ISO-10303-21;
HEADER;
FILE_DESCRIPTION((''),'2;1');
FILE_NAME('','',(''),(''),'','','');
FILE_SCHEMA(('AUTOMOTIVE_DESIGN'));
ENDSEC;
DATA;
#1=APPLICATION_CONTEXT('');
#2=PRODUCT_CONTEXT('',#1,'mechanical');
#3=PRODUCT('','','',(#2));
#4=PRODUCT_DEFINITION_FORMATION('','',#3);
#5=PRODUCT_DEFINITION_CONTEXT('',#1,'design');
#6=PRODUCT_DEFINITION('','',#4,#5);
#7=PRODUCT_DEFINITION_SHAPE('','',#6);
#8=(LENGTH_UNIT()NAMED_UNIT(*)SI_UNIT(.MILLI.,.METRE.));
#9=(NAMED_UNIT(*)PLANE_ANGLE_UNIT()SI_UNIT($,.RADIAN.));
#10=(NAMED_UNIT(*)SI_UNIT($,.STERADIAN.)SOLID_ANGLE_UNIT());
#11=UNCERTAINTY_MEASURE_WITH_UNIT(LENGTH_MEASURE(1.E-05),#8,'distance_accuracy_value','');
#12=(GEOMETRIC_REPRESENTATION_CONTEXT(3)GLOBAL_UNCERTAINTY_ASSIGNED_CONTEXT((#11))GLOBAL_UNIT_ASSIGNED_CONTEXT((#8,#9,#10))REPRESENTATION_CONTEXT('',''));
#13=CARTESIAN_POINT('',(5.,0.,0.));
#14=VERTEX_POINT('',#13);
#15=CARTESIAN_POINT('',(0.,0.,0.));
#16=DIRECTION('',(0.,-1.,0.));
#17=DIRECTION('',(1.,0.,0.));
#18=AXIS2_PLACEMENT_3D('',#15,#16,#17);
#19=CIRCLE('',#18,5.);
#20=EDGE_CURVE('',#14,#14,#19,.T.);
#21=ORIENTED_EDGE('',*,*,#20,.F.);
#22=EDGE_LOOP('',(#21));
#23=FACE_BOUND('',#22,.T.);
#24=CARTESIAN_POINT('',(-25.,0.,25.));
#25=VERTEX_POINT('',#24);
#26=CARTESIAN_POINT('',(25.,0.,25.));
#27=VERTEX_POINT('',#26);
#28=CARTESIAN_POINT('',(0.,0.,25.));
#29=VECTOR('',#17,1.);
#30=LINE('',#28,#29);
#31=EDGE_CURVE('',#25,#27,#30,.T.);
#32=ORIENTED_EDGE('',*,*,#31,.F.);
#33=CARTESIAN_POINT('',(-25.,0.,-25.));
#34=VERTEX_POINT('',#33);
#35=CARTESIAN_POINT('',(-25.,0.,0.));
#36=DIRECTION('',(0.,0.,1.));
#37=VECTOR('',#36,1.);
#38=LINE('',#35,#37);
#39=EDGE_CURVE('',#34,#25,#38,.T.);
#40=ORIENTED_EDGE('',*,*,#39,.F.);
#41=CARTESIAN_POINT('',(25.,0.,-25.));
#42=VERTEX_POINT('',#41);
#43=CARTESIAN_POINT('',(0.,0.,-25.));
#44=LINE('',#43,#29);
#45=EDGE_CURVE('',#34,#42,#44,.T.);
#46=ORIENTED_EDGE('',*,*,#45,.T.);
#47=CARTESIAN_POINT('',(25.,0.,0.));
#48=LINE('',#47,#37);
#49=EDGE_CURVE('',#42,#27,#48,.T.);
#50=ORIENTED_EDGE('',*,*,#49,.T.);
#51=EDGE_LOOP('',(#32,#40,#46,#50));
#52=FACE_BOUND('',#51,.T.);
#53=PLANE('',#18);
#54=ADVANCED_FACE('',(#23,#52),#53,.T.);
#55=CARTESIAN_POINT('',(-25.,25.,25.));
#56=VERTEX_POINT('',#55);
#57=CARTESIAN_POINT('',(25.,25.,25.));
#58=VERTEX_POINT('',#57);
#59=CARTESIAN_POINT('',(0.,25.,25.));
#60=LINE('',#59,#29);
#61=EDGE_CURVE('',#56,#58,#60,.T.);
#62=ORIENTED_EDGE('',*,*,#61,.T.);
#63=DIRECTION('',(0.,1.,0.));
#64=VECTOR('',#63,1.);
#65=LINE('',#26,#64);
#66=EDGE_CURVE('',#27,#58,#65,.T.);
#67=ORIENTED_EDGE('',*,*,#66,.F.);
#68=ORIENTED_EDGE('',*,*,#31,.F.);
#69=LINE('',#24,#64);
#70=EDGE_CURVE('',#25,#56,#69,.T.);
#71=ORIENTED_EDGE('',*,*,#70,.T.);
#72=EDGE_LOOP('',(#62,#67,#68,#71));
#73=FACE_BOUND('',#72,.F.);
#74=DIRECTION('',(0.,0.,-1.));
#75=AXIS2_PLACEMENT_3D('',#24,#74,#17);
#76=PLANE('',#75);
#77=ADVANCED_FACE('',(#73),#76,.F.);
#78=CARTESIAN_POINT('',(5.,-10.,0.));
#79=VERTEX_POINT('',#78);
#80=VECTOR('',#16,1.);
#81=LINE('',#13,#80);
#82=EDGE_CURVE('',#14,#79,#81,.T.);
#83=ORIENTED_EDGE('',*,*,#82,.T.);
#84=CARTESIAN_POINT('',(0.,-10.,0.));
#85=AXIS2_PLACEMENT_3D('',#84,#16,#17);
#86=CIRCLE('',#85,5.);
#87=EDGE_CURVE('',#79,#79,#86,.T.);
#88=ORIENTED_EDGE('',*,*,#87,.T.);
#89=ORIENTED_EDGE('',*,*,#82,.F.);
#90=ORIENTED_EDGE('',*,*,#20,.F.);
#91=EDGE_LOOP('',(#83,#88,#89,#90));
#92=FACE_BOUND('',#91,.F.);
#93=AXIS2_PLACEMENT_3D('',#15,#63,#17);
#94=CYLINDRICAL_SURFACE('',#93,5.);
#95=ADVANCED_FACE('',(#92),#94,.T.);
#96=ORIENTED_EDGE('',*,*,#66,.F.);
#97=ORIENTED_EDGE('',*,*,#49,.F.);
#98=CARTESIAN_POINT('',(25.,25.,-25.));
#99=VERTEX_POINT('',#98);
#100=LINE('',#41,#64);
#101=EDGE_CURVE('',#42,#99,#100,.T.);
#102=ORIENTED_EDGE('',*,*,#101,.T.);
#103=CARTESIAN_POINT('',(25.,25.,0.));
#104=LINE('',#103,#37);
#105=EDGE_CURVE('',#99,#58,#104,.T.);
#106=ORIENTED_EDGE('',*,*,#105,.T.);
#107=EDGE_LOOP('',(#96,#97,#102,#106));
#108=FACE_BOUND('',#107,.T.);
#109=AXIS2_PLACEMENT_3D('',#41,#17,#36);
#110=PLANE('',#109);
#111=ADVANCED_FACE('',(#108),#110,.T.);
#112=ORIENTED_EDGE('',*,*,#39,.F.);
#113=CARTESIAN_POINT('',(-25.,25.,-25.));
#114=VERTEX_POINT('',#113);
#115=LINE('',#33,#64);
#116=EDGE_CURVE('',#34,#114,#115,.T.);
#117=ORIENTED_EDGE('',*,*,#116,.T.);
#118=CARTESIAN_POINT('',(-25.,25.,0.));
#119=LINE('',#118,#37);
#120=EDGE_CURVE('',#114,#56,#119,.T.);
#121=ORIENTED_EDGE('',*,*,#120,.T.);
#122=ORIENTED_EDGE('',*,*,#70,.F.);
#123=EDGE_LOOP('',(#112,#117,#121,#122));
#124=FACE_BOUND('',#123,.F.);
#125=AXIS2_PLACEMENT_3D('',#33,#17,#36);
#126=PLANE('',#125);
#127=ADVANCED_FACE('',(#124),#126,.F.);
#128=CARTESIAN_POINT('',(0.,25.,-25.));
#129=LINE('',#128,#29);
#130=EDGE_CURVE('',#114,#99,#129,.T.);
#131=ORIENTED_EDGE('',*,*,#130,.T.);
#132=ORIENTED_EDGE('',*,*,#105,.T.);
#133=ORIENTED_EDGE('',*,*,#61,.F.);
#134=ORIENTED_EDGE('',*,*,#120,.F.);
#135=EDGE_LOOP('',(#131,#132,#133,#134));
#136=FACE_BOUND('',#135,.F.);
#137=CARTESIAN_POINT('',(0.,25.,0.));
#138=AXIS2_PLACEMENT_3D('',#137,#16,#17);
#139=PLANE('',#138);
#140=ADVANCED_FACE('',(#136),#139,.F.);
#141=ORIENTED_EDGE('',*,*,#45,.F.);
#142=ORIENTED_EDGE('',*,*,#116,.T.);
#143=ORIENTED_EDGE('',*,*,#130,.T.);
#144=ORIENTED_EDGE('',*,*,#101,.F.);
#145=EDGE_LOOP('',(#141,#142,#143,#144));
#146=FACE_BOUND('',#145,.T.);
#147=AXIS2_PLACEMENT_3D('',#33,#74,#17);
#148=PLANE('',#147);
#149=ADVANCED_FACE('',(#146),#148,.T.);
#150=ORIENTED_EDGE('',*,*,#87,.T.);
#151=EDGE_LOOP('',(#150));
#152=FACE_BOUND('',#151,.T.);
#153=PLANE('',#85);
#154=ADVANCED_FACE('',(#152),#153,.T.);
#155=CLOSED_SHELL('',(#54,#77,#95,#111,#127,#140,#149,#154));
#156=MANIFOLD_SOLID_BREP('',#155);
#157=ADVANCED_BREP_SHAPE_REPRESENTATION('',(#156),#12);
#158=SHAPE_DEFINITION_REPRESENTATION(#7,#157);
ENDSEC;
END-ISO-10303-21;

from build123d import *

# Parameters (mm, degrees)
F0_W     = 50
F0_H     = 50
F1_DEPTH = 25
F2_R     = 5
F3_DEPTH = 10


with BuildPart() as f1:
    # F0 (on Front) → F1 (new body)
    with BuildSketch(Plane.XZ):
        Rectangle(F0_W, F0_H)
    extrude(amount=-F1_DEPTH)

    # F2 (on face) → F3 (join)
    with BuildSketch(Plane.XZ):
        Circle(F2_R)
    extrude(amount=F3_DEPTH)


solid = f1.part
